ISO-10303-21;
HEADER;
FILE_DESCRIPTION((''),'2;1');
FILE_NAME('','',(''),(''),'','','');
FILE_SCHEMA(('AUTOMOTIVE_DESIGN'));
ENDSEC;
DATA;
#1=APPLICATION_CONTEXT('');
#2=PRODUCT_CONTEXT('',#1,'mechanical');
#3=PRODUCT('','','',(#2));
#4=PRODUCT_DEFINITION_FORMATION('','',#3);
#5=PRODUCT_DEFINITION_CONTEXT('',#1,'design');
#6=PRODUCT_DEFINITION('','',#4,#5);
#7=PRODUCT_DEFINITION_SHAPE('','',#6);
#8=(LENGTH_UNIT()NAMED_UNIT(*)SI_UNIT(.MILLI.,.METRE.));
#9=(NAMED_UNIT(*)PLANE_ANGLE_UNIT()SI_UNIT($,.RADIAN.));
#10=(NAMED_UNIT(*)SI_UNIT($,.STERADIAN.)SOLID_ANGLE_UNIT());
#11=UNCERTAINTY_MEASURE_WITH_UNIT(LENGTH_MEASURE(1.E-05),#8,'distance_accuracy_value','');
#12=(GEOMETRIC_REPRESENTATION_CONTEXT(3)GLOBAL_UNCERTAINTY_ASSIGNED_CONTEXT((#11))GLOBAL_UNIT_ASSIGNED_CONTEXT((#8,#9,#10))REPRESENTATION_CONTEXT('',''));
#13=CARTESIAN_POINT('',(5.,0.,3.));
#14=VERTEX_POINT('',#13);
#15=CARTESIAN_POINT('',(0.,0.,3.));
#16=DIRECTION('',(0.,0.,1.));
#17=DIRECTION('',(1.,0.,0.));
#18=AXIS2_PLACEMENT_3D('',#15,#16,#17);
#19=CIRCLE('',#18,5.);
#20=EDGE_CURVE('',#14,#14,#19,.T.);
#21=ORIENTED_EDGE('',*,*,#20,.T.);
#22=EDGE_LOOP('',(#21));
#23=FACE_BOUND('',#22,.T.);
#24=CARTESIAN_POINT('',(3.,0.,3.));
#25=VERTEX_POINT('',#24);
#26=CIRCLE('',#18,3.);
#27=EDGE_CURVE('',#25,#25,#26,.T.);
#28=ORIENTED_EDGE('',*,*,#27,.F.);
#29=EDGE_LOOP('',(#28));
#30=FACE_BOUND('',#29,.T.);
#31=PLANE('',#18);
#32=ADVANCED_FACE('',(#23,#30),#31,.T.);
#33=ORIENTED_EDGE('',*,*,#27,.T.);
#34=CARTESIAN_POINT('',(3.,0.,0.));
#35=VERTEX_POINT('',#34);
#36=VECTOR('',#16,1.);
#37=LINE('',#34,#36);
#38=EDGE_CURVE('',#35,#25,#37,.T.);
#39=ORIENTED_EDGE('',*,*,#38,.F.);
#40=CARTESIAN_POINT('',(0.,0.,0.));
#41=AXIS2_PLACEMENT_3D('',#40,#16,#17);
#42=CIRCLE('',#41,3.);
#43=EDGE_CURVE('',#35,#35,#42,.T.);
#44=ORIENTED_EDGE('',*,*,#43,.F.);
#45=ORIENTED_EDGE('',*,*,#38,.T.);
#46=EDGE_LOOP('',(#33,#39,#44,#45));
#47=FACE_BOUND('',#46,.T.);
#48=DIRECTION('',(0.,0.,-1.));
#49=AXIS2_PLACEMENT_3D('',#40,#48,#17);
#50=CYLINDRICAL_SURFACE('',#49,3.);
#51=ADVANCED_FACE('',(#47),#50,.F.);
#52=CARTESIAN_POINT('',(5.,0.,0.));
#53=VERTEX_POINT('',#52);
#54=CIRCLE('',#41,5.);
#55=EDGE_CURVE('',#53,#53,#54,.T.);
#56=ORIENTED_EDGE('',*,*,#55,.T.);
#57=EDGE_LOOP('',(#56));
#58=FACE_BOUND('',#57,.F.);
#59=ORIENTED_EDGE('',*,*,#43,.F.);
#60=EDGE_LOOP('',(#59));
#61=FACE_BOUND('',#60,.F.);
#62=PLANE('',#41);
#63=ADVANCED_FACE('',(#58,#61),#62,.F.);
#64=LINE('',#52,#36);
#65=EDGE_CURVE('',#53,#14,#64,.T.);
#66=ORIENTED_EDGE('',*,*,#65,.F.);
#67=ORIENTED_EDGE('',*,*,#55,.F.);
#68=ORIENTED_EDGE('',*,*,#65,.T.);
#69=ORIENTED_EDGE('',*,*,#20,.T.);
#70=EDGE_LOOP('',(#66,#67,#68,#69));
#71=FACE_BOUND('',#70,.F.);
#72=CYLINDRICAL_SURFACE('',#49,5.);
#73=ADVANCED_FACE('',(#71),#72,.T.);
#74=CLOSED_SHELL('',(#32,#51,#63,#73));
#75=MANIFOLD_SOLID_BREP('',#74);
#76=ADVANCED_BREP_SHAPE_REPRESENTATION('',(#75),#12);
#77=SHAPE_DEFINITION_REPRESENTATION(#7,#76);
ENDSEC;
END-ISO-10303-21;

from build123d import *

# Parameters (mm, degrees)
SKETCH_1_R      = 5
SKETCH_1_R_2    = 3
EXTRUDE_1_DEPTH = 3


with BuildPart() as part:
    # 草图1 → 凸台-拉伸1 (new body)
    with BuildSketch(Plane.XY):
        Circle(SKETCH_1_R)
        Circle(SKETCH_1_R_2, mode=Mode.SUBTRACT)
    extrude(amount=EXTRUDE_1_DEPTH)


solid = part.part
